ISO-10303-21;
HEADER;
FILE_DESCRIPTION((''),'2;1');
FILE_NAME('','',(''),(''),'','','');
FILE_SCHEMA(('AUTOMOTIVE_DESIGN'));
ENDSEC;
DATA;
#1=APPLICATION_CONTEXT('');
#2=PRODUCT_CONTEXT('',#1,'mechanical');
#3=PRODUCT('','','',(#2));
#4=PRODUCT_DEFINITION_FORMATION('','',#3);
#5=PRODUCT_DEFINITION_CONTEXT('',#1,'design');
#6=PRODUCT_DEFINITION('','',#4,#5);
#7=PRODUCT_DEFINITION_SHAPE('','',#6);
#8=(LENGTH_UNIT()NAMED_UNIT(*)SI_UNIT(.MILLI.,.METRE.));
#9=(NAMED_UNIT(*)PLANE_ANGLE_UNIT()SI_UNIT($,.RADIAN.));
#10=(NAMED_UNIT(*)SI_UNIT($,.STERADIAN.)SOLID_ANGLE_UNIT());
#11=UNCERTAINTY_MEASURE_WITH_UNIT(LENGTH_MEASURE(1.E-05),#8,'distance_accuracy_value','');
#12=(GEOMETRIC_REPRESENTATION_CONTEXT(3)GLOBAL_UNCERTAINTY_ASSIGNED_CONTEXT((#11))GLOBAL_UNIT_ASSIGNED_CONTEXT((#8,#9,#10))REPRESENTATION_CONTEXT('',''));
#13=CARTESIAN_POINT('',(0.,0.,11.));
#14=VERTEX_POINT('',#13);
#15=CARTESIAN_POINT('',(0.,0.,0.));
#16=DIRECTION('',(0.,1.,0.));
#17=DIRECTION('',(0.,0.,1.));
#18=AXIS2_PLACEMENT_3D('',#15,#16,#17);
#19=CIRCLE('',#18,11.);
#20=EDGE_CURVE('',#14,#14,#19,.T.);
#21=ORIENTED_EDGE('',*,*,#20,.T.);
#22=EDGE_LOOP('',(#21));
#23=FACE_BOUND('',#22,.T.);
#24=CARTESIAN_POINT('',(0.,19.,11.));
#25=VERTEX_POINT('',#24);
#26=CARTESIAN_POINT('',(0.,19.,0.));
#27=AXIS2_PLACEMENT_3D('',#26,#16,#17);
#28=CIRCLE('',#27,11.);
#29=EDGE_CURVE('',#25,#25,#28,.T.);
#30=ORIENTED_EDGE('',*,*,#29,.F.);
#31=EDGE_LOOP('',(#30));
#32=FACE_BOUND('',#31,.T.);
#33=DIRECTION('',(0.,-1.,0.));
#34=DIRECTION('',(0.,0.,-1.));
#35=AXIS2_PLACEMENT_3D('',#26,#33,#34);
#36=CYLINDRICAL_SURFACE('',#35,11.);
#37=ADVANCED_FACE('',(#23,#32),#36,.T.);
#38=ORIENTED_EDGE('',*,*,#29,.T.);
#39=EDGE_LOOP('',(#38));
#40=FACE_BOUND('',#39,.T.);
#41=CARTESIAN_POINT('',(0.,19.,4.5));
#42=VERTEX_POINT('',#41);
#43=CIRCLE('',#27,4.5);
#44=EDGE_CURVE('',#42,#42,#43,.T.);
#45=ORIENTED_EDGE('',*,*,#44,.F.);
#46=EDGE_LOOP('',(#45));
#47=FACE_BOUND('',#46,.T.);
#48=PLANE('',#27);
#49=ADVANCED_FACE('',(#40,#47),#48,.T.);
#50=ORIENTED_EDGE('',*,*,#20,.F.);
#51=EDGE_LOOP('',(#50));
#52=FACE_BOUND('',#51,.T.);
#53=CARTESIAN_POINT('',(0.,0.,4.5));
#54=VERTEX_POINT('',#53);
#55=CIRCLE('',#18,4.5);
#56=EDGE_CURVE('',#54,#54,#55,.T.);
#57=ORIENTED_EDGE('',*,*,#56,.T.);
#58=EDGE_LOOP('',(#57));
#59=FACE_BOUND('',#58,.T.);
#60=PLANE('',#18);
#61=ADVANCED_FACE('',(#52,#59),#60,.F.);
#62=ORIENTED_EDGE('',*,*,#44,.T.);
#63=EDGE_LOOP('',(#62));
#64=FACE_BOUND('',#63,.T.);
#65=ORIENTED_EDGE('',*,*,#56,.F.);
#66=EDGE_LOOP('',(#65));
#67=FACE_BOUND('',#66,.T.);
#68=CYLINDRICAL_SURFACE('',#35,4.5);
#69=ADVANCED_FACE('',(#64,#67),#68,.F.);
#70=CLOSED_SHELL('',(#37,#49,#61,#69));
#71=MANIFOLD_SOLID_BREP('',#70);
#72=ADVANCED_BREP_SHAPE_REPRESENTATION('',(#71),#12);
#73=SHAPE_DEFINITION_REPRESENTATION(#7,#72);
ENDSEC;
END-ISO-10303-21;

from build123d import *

# Parameters (mm, degrees)
SKETCH1_R           = 11
SKETCH1_R_2         = 4.5
BOSS_EXTRUDE1_DEPTH = 19


with BuildPart() as part:
    # Sketch1 → Boss-Extrude1 (new body)
    with BuildSketch(Plane(origin=(0, 0, 0), x_dir=(1, 0, 0), z_dir=(0, 1, 0))):
        with Locations(Location((0, 0, 0), (0, 0, 270))):
            Circle(SKETCH1_R)
        with Locations(Location((0, 0, 0), (0, 0, 270))):
            Circle(SKETCH1_R_2, mode=Mode.SUBTRACT)
    extrude(amount=BOSS_EXTRUDE1_DEPTH)


solid = part.part
